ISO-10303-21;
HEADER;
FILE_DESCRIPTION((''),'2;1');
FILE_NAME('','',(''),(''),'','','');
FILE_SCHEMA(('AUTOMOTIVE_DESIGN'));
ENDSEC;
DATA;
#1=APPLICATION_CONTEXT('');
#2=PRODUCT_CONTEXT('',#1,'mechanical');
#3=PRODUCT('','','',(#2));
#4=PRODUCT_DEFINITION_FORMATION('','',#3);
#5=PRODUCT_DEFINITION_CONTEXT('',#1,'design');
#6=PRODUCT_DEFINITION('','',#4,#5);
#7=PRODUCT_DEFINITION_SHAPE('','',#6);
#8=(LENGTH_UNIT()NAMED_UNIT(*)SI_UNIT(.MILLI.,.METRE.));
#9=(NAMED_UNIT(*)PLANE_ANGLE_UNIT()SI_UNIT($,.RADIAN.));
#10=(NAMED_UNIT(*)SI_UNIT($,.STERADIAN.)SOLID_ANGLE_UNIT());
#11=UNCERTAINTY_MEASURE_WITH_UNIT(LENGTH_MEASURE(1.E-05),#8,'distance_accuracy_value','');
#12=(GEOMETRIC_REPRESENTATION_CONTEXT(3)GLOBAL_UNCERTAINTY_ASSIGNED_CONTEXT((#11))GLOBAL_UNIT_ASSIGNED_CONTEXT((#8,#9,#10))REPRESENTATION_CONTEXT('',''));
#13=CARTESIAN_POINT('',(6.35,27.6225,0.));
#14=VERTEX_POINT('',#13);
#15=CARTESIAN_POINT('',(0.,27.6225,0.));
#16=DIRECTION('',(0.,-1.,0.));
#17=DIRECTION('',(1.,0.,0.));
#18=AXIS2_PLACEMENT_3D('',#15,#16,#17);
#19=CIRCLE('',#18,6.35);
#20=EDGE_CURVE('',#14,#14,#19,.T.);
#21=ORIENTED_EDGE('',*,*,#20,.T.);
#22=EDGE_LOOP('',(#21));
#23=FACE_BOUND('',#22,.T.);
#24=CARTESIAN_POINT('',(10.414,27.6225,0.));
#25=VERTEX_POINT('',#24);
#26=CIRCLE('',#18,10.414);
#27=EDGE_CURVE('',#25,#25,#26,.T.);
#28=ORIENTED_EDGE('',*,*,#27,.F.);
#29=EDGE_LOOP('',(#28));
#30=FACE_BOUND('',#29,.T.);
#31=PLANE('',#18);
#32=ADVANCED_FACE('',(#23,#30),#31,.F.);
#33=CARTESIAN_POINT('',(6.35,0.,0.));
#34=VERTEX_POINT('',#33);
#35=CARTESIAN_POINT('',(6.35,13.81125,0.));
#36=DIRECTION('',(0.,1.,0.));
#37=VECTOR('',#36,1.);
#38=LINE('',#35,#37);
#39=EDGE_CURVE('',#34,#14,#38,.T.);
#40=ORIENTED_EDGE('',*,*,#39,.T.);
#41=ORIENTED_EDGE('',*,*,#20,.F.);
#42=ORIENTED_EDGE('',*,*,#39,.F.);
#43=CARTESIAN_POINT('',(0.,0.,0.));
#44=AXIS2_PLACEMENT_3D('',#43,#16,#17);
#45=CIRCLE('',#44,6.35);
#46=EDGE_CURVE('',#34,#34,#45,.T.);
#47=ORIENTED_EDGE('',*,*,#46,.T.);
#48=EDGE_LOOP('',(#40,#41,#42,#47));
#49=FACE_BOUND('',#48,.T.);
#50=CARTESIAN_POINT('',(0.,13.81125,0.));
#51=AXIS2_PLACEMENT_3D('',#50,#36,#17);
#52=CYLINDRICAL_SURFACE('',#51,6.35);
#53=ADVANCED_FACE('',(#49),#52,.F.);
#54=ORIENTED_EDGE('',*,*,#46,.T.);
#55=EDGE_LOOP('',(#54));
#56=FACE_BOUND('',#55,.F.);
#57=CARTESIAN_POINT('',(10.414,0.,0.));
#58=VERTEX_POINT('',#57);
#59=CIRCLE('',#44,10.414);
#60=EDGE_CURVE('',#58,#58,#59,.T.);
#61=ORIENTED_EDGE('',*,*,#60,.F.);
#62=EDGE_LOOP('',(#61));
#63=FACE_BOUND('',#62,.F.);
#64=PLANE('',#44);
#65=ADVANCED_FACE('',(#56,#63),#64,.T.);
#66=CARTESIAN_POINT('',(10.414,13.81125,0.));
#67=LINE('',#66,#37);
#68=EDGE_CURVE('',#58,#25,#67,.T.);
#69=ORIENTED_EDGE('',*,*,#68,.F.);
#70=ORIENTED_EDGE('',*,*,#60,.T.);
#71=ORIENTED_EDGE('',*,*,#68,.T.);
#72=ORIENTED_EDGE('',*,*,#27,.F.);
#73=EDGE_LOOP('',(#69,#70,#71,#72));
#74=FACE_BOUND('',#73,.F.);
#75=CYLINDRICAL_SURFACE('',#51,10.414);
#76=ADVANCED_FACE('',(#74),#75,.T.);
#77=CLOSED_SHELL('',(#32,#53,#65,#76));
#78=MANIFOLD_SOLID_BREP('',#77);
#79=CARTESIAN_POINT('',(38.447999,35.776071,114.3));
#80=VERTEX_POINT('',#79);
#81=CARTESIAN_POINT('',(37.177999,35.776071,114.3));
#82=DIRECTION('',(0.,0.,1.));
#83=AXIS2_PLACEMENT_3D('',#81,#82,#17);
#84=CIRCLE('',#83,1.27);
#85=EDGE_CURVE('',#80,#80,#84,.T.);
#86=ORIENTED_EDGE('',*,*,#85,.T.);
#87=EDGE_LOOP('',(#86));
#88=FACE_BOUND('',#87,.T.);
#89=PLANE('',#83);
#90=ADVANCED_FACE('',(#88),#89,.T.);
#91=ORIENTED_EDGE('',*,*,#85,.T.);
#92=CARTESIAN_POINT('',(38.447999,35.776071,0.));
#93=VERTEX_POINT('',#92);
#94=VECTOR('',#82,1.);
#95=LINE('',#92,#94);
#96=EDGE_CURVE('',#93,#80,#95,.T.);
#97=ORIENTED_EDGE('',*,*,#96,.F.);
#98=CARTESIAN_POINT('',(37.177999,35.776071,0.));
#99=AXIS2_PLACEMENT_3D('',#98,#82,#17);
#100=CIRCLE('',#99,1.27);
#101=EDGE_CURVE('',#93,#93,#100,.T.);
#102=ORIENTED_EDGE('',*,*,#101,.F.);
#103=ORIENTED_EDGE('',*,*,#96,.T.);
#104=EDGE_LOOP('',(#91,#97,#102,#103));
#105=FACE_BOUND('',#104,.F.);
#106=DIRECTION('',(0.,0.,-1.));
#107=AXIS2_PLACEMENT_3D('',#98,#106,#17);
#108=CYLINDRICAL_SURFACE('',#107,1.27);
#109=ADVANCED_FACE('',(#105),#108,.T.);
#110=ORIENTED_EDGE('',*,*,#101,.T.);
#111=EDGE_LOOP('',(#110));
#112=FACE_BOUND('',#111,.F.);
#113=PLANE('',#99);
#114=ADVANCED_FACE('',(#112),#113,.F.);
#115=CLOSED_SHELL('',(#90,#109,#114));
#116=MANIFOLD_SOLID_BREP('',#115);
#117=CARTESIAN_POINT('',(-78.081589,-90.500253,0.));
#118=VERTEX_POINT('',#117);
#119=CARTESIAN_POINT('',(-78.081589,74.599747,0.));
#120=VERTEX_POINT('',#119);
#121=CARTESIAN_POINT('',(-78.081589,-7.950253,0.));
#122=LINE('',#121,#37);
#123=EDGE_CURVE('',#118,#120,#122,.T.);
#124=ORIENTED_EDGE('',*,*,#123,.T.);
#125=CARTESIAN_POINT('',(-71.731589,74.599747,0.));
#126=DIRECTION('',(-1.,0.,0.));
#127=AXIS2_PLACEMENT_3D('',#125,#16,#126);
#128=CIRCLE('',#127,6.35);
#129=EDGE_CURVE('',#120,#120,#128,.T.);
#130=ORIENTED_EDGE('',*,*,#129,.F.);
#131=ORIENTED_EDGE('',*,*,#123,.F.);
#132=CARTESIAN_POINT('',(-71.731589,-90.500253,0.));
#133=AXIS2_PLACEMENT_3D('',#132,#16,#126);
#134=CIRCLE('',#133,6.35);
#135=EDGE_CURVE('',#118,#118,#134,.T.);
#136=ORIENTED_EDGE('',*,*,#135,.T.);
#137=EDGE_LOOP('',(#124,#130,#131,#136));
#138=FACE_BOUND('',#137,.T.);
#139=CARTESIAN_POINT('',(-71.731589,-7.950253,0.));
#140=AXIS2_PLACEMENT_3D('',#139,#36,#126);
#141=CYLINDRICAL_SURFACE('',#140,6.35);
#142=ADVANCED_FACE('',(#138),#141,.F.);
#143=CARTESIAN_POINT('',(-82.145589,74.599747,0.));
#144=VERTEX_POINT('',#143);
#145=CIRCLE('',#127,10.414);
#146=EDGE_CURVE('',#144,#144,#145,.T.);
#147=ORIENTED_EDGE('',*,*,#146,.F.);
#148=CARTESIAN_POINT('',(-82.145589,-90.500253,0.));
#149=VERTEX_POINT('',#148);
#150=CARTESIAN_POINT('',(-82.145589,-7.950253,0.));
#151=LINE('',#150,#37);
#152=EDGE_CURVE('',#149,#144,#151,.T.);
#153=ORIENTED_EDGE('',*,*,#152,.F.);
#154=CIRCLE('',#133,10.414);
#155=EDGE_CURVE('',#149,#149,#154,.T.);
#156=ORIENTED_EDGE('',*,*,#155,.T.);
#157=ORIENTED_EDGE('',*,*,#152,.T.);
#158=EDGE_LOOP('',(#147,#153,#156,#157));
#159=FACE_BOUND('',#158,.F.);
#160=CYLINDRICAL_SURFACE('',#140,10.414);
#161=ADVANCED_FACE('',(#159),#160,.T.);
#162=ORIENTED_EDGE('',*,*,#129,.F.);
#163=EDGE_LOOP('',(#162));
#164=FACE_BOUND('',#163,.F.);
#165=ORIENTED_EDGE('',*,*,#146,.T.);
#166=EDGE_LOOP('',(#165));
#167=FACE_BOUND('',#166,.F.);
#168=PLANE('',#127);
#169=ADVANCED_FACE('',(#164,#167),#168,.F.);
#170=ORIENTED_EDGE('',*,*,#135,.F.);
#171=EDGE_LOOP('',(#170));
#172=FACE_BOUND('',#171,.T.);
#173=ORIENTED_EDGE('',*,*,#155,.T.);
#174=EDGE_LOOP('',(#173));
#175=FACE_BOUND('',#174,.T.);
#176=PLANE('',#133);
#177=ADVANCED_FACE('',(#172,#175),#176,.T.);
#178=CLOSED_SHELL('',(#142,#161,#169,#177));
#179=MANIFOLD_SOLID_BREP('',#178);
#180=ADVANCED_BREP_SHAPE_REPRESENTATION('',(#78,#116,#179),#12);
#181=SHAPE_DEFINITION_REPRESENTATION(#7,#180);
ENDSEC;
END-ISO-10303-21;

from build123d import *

# Parameters (mm, degrees)
F0_W     = 4.064
F0_H     = 27.6225
F2_W     = 4.064
F2_H     = 165.1
F4_R     = 1.27
F5_DEPTH = 114.3


with BuildPart() as f1:
    # F0 (on Top) → F1 (revolve)
    with BuildSketch(Plane.XY):
        with Locations((8.382, 13.81125)):
            Rectangle(F0_W, F0_H)
    revolve(axis=Axis((0, 13.81125, 0), (0, -1, 0)))


with BuildPart() as f3:
    # F2 (on Top) → F3 (revolve)
    with BuildSketch(Plane.XY):
        with Locations((-80.1135887269, -7.9502528533)):
            Rectangle(F2_W, F2_H)
    revolve(axis=Axis((-71.7315887269, -7.9502528533, 0), (0, -1, 0)))


with BuildPart() as f5:
    # F4 (on Top) → F5 (new body)
    with BuildSketch(Plane.XY):
        with Locations((37.1779985726, 35.7760712504)):
            Circle(F4_R)
    extrude(amount=F5_DEPTH)


solid = Compound([f1.part, f3.part, f5.part])
